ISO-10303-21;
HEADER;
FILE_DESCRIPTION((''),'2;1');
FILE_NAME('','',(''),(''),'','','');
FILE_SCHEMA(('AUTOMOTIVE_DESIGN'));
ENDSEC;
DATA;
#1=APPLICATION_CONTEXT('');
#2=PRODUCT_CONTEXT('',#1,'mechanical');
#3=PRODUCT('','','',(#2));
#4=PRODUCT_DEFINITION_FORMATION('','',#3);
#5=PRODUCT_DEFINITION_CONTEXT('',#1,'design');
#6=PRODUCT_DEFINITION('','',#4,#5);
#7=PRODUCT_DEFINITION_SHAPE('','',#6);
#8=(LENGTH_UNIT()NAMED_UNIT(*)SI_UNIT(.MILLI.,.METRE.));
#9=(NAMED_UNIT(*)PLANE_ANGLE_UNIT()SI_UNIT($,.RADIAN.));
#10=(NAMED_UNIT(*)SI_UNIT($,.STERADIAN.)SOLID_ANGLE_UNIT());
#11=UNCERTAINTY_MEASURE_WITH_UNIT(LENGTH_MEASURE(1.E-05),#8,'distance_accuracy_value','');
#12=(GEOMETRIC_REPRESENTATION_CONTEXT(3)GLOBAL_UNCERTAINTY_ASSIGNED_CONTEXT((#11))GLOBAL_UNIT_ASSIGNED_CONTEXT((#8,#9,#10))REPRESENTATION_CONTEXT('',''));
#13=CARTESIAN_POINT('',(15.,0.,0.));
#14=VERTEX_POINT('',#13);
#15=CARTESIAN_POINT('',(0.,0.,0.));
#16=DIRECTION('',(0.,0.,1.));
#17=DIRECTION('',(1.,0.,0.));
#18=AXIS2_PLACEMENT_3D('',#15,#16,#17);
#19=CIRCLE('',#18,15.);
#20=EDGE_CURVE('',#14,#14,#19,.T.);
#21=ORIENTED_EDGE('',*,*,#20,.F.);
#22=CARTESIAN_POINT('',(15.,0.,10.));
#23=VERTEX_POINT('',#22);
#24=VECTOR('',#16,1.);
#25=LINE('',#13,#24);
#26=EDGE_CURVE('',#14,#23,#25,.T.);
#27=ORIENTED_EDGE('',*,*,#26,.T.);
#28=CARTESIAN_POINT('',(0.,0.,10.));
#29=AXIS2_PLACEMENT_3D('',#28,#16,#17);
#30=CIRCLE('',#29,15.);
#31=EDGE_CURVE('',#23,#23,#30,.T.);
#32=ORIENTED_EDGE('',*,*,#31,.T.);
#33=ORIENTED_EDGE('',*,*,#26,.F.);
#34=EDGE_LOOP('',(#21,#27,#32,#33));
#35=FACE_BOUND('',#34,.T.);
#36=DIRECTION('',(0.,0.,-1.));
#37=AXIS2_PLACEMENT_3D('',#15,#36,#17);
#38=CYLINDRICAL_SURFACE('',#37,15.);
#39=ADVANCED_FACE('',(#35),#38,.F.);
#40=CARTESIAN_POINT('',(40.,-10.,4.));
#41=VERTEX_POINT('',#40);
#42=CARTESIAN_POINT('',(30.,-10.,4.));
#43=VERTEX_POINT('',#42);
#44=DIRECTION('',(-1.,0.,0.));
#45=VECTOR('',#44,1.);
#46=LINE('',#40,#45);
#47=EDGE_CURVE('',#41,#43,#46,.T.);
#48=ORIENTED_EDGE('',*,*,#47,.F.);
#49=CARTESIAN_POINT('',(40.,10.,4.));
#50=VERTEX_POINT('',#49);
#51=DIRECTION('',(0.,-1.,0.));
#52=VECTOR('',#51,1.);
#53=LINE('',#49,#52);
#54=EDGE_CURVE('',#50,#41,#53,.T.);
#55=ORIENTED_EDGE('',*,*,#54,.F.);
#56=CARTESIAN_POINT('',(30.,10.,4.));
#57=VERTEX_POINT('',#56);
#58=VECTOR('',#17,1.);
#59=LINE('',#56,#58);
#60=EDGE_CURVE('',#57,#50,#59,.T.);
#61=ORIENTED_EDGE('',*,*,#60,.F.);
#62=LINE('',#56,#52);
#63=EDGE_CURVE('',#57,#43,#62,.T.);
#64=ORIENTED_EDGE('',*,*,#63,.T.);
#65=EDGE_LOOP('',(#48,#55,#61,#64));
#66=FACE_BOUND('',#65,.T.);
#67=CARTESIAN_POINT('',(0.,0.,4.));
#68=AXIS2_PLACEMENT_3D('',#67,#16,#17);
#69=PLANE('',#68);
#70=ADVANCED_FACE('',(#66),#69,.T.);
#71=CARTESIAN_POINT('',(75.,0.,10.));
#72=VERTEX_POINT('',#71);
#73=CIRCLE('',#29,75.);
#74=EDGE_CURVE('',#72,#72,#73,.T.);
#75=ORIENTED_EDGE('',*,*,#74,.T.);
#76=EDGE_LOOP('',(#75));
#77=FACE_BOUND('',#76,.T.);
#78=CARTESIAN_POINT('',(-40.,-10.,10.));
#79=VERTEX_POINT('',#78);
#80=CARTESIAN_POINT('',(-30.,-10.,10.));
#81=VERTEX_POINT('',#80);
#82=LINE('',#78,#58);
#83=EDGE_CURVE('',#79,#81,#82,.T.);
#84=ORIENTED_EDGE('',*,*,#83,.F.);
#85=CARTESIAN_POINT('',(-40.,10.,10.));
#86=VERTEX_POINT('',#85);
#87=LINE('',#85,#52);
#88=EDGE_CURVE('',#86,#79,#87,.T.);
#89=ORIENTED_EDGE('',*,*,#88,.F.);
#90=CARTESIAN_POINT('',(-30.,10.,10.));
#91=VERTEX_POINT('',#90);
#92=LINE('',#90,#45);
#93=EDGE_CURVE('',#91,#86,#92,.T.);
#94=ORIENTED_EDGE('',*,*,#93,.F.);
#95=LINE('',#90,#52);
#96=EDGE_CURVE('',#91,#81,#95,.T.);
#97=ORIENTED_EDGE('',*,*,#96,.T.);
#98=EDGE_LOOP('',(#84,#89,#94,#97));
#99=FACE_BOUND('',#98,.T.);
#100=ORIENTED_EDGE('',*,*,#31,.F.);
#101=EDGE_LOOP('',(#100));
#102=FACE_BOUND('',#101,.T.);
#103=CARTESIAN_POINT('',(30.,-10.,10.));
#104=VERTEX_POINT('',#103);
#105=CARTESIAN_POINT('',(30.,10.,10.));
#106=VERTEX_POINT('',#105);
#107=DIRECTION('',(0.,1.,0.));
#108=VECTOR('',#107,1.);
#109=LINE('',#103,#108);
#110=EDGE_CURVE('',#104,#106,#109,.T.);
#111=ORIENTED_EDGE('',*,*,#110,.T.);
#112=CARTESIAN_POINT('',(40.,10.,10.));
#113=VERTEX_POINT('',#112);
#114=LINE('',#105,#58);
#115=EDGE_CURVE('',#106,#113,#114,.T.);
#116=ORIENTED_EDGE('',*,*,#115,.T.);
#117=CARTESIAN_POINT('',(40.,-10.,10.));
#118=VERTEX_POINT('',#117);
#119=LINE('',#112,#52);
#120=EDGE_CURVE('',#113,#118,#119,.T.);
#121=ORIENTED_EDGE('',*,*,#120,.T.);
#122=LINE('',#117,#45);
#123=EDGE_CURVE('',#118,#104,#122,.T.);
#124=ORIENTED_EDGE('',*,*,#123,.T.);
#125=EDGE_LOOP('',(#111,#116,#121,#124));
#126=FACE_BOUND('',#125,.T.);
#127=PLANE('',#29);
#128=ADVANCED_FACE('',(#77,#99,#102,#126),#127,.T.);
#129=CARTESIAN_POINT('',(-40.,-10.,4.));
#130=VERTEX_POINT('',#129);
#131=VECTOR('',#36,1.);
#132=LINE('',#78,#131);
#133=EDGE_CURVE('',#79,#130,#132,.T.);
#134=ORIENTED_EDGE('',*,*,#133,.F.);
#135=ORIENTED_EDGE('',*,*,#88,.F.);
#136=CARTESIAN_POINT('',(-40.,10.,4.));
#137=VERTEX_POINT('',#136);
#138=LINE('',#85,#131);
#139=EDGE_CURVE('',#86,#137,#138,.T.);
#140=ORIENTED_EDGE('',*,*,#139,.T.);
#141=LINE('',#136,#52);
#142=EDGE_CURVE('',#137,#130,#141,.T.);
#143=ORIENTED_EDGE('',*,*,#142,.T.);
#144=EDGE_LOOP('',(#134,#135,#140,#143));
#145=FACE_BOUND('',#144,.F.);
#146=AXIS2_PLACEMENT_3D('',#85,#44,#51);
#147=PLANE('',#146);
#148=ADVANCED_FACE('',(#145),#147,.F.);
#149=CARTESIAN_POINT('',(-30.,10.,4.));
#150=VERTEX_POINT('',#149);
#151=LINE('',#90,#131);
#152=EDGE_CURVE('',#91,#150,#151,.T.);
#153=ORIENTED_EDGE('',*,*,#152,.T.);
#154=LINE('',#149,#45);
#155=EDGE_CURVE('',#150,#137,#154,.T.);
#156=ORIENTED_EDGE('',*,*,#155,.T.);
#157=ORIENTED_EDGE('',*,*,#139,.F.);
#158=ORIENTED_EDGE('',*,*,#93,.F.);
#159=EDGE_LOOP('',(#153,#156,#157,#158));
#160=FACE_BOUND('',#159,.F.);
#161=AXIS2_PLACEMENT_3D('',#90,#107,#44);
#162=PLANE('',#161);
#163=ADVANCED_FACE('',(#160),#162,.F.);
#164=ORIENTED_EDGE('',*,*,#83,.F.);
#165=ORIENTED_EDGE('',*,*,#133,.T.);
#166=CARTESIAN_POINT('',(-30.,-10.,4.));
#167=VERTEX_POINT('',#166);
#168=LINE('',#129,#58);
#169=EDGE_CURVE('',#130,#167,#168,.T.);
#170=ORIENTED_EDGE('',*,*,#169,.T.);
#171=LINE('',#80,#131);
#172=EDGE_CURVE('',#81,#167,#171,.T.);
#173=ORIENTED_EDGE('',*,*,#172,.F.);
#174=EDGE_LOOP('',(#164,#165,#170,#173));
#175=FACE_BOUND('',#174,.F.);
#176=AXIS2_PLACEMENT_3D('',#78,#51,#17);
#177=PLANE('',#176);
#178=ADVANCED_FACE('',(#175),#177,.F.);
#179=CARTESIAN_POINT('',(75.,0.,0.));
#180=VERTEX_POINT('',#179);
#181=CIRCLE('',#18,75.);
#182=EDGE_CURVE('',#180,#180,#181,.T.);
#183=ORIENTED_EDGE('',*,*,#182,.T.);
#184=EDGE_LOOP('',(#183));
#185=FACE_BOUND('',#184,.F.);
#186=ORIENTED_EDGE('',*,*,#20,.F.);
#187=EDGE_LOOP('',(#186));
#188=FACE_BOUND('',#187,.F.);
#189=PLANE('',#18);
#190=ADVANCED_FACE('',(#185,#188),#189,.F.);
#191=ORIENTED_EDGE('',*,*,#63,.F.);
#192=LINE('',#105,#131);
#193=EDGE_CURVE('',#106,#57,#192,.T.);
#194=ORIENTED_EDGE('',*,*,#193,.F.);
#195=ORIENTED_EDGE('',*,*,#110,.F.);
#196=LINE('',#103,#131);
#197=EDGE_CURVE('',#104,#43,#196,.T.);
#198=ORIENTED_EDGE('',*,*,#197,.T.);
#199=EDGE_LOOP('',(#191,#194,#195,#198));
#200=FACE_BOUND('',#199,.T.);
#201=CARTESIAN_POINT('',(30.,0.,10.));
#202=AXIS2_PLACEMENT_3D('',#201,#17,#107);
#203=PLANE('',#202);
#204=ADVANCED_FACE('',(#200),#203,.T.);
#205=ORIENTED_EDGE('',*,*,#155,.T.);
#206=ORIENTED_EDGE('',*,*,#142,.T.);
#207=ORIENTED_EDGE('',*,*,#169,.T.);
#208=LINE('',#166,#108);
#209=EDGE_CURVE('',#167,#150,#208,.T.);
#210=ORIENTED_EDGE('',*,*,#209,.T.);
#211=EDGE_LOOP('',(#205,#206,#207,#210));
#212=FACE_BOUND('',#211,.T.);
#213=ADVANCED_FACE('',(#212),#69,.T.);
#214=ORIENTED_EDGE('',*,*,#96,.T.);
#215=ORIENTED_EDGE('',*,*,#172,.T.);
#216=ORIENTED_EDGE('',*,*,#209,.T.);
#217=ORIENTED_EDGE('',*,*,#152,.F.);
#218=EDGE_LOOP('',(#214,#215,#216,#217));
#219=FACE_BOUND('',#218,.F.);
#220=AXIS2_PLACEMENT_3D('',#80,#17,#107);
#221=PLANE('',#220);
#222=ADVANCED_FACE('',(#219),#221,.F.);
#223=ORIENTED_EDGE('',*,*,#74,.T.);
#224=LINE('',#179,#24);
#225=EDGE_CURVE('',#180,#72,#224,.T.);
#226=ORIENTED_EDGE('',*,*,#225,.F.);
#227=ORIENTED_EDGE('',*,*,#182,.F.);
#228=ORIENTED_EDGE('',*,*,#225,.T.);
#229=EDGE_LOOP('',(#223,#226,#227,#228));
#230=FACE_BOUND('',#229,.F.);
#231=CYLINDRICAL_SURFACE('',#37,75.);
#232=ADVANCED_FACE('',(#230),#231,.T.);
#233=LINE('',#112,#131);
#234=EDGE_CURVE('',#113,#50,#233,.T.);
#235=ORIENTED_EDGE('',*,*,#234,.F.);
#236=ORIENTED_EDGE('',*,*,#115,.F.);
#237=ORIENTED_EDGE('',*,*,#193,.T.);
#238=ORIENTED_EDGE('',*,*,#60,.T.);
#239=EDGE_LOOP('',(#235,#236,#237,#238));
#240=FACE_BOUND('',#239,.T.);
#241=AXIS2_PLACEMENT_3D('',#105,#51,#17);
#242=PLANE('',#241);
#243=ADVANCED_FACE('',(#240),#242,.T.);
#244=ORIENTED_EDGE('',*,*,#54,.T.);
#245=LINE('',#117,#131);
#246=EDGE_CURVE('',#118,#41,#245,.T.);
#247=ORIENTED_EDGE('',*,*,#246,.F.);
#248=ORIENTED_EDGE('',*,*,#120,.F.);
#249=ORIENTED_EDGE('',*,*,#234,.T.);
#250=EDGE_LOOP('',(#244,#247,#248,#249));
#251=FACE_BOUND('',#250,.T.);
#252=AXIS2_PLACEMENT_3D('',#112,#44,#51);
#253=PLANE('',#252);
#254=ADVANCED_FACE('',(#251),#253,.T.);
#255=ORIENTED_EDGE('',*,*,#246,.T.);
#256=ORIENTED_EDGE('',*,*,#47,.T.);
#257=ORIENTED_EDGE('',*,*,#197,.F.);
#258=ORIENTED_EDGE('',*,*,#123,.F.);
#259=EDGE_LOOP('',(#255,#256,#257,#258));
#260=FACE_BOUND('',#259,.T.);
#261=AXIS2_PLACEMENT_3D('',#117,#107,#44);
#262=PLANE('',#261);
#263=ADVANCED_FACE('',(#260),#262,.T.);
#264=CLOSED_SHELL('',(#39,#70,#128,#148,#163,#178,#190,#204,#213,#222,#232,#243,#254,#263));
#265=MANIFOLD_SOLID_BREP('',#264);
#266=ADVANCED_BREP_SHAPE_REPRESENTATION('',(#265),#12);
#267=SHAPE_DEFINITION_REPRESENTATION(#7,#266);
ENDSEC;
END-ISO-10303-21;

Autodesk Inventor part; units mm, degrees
ref_plane "YZ Plane" through (0, 0, 0) normal (1, 0, 0) x (0, 1, 0)
ref_plane "XZ Plane" through (0, 0, 0) normal (0, 1, 0) x (-1, 0, 0)
ref_plane "XY Plane" through (0, 0, 0) normal (0, 0, 1) x (1, 0, 0)
sketch "Boceto1" plane through (0, 0, 0) normal (0, 0, 1) x (1, 0, 0)
  circle A0 centre (0, 0) radius 75
  circle A1 centre (0, 0) radius 15
  dimension "d0" = 150
  dimension "d1" = 30
extrude "Extrusión1" add sketch "Boceto1" along normal blind 10
sketch "Boceto2" plane through (0, 0, 10) normal (0, 0, 1) x (1, 0, 0)
  line L0 (30, 0) -> (30, 10)
  line L1 (30, 10) -> (40, 10)
  line L2 (40, 10) -> (40, -10)
  line L3 (40, -10) -> (30, -10)
  line L4 (30, -10) -> (30, 0)
  line L5 (-30, 0) -> (-30, 10)
  line L6 (-30, 10) -> (-40, 10)
  line L7 (-40, 10) -> (-40, -10)
  line L8 (-40, -10) -> (-30, -10)
  line L9 (-30, -10) -> (-30, 0)
  point P0 (0, 0)
  dimension "d4" = 30
  dimension "d5" = 10
  dimension "d6" = 10
  dimension "d7" = 20
  dimension "d8" = 10
  dimension "d9" = 30
  dimension "d10" = 10
  dimension "d11" = 10
  dimension "d12" = 20
  dimension "d13" = 10
extrude "Extrusión2" cut sketch "Boceto2" against normal blind 6
